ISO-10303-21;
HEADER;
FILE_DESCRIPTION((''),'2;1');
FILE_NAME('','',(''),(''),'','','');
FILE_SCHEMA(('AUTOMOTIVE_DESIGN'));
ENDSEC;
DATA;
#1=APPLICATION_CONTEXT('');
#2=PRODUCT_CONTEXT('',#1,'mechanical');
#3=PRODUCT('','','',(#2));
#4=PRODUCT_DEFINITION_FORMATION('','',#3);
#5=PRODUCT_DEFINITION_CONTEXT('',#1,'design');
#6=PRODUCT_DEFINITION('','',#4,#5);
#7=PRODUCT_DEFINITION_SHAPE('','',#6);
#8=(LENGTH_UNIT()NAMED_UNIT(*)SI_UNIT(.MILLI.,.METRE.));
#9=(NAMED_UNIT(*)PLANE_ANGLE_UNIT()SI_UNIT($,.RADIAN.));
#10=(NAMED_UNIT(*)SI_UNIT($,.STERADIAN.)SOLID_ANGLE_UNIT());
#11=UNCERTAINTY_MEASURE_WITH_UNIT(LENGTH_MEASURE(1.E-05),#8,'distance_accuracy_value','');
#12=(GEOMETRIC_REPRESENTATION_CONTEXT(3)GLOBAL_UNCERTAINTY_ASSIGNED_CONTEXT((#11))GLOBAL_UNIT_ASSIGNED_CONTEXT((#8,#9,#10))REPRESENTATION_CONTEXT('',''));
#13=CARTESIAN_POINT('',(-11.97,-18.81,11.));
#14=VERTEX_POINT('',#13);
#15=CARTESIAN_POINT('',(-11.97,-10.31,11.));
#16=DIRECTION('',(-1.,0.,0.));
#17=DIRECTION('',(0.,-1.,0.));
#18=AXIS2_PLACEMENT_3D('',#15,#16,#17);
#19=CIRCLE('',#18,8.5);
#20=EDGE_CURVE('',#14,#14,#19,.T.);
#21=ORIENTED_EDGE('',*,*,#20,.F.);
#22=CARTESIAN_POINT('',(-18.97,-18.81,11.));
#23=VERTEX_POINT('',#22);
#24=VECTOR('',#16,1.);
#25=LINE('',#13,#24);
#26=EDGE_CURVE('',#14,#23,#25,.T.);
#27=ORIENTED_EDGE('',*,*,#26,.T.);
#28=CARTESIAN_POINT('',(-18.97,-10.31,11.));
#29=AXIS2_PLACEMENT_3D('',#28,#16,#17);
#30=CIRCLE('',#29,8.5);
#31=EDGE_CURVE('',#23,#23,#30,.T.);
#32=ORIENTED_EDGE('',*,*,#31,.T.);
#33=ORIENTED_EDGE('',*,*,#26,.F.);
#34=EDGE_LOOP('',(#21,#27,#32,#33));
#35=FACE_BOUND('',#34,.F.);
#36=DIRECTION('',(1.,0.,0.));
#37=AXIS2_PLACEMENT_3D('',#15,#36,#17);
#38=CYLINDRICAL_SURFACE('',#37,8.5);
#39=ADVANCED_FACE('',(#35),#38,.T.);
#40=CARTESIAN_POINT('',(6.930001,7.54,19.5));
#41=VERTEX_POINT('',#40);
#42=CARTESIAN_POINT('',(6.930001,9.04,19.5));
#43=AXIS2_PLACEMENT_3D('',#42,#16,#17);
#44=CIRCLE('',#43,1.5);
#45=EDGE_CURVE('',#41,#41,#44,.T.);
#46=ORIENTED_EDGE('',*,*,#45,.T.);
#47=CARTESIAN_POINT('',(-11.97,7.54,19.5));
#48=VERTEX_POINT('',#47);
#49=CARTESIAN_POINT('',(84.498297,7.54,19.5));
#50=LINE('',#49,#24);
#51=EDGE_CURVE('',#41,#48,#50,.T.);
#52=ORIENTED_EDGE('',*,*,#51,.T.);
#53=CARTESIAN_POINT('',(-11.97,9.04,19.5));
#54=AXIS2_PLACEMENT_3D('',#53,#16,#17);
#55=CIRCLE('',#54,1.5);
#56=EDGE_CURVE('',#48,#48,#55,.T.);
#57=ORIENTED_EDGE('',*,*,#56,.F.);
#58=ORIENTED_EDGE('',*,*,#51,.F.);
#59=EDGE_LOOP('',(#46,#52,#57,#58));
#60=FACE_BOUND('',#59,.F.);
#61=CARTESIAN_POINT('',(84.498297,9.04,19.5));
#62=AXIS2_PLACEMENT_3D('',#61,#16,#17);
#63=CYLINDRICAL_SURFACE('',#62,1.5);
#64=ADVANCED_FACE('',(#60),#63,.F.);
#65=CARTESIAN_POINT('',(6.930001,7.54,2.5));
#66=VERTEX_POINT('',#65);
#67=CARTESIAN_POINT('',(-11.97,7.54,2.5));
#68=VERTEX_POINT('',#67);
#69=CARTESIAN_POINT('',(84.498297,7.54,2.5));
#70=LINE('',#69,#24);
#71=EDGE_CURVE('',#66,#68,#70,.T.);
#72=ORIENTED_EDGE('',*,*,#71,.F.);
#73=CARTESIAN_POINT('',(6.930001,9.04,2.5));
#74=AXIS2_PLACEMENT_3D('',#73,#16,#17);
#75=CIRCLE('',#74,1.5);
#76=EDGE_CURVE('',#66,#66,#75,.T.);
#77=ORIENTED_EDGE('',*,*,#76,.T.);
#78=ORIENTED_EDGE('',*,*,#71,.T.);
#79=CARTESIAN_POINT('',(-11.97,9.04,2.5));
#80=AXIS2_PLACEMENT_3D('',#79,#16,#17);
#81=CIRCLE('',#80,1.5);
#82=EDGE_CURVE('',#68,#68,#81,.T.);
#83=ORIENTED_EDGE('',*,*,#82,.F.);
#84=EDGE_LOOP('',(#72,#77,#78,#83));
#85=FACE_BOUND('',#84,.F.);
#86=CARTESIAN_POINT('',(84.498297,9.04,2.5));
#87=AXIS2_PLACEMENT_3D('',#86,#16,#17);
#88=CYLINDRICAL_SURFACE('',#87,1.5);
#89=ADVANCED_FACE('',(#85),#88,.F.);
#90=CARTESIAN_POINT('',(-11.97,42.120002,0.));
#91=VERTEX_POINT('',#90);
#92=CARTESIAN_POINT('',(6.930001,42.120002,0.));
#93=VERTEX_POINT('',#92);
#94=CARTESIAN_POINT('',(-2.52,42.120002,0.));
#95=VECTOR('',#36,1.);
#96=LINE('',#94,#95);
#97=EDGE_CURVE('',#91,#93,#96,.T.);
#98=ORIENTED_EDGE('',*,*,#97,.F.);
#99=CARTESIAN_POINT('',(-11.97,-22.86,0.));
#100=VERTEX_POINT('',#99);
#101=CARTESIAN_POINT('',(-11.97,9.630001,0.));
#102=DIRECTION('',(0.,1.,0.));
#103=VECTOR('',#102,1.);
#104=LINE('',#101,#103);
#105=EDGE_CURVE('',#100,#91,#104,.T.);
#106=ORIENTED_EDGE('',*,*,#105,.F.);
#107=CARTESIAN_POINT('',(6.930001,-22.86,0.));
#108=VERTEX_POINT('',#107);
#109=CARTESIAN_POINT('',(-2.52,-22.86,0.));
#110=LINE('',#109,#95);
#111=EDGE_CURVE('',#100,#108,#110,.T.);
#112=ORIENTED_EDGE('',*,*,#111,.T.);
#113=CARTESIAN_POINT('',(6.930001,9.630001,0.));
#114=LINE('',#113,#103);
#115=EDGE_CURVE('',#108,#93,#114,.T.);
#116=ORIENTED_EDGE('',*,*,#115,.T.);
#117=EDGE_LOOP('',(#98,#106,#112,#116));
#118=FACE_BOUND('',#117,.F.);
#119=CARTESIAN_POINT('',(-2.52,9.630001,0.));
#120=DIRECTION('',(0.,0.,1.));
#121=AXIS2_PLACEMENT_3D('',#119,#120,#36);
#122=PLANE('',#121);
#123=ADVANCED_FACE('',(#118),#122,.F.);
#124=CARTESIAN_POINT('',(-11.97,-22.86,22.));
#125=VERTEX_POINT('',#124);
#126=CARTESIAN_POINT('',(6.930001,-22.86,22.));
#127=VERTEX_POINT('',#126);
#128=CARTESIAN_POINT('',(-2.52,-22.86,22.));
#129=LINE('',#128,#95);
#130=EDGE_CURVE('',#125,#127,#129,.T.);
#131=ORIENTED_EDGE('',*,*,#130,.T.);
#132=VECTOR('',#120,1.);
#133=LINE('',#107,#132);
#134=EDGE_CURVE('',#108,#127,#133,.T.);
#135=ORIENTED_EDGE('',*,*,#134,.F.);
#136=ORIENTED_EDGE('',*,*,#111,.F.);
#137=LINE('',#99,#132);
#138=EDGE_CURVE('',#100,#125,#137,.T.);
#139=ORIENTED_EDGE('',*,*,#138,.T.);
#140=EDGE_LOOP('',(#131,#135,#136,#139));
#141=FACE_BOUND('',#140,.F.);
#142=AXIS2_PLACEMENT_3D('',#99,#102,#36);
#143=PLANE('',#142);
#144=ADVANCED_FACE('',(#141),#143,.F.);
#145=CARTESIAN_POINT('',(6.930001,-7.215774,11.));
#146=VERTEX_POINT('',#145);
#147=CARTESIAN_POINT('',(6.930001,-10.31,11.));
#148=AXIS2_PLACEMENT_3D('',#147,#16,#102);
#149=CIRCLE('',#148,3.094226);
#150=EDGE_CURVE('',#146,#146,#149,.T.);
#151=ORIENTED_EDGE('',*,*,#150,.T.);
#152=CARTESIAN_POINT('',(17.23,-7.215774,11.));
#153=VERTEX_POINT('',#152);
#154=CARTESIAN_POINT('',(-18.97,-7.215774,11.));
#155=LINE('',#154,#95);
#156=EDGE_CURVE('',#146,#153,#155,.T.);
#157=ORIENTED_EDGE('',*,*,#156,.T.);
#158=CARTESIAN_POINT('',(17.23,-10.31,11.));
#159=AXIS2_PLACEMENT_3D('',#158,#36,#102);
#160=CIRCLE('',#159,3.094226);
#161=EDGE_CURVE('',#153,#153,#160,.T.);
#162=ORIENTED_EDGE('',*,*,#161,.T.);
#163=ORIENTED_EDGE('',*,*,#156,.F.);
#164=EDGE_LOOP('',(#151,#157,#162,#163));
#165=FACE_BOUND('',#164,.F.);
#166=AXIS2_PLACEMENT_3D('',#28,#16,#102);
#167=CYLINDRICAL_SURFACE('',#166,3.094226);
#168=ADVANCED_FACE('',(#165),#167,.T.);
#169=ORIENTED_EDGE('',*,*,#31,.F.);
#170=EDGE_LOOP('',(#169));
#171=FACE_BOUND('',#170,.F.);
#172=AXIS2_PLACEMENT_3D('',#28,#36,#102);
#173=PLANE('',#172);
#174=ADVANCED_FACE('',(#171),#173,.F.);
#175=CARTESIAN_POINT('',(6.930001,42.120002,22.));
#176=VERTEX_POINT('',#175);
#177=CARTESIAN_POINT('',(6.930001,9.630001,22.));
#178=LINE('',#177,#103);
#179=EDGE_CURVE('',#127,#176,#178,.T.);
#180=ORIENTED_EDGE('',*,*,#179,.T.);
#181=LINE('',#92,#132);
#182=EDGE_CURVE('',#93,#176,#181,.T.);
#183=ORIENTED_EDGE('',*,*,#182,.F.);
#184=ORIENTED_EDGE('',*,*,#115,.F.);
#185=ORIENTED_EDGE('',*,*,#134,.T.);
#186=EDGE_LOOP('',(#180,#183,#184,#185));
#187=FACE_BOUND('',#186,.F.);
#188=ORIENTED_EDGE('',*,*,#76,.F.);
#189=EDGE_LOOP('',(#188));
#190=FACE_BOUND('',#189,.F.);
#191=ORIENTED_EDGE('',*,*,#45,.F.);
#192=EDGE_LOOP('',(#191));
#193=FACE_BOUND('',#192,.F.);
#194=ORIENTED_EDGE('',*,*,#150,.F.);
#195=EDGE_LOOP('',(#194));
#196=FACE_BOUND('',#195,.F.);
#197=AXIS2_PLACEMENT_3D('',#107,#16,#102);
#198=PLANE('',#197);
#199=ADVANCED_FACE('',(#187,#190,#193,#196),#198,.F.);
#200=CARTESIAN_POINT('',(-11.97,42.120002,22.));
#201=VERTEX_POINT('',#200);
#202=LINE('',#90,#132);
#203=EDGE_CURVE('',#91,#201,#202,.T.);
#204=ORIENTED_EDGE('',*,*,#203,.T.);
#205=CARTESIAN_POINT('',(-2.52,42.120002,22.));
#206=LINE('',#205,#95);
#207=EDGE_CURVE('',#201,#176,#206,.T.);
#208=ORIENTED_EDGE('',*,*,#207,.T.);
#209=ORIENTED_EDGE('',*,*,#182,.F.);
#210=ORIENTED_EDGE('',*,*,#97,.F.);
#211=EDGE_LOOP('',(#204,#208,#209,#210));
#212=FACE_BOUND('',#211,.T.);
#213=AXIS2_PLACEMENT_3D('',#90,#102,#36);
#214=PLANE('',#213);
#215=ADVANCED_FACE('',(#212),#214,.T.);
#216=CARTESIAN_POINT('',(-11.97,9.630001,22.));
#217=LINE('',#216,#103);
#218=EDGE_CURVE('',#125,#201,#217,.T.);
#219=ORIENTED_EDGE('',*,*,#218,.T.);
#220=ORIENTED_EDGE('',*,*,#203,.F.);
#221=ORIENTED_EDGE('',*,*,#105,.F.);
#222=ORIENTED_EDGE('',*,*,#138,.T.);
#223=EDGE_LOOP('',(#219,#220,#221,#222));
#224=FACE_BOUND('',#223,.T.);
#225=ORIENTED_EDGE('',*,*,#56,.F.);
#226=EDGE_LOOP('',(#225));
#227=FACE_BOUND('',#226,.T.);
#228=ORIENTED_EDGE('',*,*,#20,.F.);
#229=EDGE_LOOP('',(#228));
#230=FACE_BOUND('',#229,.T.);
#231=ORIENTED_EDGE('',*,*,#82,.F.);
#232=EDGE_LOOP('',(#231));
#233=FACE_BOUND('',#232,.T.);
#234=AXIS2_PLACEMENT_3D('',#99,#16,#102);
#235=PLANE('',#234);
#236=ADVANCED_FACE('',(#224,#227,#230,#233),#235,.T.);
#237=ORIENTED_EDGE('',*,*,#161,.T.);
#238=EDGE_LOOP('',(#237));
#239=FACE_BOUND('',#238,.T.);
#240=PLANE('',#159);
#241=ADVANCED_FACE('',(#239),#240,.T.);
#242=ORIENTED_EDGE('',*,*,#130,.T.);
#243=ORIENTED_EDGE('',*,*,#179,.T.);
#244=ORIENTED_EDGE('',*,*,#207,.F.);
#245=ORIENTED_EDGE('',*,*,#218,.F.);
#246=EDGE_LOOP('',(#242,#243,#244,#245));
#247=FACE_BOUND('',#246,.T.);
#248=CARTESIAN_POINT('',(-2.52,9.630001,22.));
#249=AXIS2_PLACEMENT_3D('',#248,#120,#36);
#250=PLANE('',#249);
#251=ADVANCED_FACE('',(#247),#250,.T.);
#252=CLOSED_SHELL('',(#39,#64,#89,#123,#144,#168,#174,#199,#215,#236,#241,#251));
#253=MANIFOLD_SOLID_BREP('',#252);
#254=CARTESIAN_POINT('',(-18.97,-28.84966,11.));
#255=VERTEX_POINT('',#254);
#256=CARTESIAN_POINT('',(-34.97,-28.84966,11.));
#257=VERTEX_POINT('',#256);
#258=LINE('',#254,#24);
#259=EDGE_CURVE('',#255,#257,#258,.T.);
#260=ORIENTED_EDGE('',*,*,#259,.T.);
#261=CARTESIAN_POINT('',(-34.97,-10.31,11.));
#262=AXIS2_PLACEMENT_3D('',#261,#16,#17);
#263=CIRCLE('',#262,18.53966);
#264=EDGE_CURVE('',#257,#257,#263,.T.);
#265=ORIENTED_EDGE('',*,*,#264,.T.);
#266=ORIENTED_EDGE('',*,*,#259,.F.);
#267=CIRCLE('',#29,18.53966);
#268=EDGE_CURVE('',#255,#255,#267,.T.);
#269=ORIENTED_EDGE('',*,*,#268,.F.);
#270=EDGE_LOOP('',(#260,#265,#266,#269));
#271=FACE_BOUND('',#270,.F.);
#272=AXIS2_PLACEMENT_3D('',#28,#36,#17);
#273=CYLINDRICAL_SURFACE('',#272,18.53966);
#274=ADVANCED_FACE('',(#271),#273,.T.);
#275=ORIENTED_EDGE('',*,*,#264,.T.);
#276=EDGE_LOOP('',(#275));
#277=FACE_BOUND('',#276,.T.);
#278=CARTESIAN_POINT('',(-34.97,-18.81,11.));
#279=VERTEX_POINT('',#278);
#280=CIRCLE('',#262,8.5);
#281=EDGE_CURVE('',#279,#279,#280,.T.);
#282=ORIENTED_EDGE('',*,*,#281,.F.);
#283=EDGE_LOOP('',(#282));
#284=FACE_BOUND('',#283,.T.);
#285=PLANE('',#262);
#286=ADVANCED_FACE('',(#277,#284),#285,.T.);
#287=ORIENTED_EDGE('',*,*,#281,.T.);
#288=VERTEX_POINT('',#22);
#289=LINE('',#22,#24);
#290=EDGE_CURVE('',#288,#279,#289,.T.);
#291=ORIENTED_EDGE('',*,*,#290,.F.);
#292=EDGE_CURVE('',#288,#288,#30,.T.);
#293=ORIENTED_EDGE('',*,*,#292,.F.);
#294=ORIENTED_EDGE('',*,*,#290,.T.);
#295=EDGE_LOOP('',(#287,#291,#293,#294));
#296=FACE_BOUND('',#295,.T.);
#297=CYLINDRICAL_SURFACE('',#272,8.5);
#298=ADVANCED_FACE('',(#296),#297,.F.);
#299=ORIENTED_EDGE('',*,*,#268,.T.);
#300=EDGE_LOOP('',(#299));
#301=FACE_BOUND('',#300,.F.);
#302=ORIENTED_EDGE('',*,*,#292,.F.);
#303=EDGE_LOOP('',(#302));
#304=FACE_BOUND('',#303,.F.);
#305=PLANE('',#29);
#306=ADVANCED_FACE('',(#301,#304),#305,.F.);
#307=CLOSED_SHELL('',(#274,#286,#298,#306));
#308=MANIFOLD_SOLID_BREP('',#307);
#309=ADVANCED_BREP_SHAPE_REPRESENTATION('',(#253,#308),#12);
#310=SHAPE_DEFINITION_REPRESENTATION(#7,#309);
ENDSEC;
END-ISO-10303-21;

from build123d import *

# Parameters (mm, degrees)
F0_W     = 18.9000009559
F0_H     = 64.9800021201
F1_DEPTH = 22
F2_R     = 8.5
F3_DEPTH = 7
F4_R     = 18.539660173
F4_R_2   = 8.5
F5_DEPTH = 16
F6_R     = 3.0942257766
F7_DEPTH = 36.2
F9_D     = 3


with BuildPart() as f1:
    # F0 (on Top) → F1 (new body)
    with BuildSketch(Plane.XY):
        with Locations((-2.5199998636, 9.6300011501)):
            Rectangle(F0_W, F0_H)
    extrude(amount=F1_DEPTH)

    # F2 (on face) → F3 (join)
    with BuildSketch(Plane(origin=(-11.9700003415, 0, 0), x_dir=(0, -1, 0), z_dir=(-1, 0, 0))):
        with Locations((10.3100002706, 11)):
            Circle(F2_R)
    extrude(amount=F3_DEPTH)

    # F6 (on face) → F7 (join)
    with BuildSketch(Plane.YZ.offset(-18.9700003415)):
        with Locations((-10.3100002706, 11)):
            Circle(F6_R)
    extrude(amount=F7_DEPTH)

    # F9 (through all)
    with Locations(Plane.YZ.offset(6.9300006144)):
        with Locations((9.04000009, 2.5), (9.04000009, 19.5)):
            Hole(F9_D / 2)


with BuildPart() as f5:
    # F4 (on face) → F5 (new body)
    with BuildSketch(Plane(origin=(-18.9700003415, 0, 0), x_dir=(0, -1, 0), z_dir=(-1, 0, 0))):
        with Locations((10.3100002706, 11)):
            Circle(F4_R)
        with Locations((10.3100002706, 11)):
            Circle(F4_R_2, mode=Mode.SUBTRACT)
    extrude(amount=F5_DEPTH)


solid = Compound([f1.part, f5.part])
